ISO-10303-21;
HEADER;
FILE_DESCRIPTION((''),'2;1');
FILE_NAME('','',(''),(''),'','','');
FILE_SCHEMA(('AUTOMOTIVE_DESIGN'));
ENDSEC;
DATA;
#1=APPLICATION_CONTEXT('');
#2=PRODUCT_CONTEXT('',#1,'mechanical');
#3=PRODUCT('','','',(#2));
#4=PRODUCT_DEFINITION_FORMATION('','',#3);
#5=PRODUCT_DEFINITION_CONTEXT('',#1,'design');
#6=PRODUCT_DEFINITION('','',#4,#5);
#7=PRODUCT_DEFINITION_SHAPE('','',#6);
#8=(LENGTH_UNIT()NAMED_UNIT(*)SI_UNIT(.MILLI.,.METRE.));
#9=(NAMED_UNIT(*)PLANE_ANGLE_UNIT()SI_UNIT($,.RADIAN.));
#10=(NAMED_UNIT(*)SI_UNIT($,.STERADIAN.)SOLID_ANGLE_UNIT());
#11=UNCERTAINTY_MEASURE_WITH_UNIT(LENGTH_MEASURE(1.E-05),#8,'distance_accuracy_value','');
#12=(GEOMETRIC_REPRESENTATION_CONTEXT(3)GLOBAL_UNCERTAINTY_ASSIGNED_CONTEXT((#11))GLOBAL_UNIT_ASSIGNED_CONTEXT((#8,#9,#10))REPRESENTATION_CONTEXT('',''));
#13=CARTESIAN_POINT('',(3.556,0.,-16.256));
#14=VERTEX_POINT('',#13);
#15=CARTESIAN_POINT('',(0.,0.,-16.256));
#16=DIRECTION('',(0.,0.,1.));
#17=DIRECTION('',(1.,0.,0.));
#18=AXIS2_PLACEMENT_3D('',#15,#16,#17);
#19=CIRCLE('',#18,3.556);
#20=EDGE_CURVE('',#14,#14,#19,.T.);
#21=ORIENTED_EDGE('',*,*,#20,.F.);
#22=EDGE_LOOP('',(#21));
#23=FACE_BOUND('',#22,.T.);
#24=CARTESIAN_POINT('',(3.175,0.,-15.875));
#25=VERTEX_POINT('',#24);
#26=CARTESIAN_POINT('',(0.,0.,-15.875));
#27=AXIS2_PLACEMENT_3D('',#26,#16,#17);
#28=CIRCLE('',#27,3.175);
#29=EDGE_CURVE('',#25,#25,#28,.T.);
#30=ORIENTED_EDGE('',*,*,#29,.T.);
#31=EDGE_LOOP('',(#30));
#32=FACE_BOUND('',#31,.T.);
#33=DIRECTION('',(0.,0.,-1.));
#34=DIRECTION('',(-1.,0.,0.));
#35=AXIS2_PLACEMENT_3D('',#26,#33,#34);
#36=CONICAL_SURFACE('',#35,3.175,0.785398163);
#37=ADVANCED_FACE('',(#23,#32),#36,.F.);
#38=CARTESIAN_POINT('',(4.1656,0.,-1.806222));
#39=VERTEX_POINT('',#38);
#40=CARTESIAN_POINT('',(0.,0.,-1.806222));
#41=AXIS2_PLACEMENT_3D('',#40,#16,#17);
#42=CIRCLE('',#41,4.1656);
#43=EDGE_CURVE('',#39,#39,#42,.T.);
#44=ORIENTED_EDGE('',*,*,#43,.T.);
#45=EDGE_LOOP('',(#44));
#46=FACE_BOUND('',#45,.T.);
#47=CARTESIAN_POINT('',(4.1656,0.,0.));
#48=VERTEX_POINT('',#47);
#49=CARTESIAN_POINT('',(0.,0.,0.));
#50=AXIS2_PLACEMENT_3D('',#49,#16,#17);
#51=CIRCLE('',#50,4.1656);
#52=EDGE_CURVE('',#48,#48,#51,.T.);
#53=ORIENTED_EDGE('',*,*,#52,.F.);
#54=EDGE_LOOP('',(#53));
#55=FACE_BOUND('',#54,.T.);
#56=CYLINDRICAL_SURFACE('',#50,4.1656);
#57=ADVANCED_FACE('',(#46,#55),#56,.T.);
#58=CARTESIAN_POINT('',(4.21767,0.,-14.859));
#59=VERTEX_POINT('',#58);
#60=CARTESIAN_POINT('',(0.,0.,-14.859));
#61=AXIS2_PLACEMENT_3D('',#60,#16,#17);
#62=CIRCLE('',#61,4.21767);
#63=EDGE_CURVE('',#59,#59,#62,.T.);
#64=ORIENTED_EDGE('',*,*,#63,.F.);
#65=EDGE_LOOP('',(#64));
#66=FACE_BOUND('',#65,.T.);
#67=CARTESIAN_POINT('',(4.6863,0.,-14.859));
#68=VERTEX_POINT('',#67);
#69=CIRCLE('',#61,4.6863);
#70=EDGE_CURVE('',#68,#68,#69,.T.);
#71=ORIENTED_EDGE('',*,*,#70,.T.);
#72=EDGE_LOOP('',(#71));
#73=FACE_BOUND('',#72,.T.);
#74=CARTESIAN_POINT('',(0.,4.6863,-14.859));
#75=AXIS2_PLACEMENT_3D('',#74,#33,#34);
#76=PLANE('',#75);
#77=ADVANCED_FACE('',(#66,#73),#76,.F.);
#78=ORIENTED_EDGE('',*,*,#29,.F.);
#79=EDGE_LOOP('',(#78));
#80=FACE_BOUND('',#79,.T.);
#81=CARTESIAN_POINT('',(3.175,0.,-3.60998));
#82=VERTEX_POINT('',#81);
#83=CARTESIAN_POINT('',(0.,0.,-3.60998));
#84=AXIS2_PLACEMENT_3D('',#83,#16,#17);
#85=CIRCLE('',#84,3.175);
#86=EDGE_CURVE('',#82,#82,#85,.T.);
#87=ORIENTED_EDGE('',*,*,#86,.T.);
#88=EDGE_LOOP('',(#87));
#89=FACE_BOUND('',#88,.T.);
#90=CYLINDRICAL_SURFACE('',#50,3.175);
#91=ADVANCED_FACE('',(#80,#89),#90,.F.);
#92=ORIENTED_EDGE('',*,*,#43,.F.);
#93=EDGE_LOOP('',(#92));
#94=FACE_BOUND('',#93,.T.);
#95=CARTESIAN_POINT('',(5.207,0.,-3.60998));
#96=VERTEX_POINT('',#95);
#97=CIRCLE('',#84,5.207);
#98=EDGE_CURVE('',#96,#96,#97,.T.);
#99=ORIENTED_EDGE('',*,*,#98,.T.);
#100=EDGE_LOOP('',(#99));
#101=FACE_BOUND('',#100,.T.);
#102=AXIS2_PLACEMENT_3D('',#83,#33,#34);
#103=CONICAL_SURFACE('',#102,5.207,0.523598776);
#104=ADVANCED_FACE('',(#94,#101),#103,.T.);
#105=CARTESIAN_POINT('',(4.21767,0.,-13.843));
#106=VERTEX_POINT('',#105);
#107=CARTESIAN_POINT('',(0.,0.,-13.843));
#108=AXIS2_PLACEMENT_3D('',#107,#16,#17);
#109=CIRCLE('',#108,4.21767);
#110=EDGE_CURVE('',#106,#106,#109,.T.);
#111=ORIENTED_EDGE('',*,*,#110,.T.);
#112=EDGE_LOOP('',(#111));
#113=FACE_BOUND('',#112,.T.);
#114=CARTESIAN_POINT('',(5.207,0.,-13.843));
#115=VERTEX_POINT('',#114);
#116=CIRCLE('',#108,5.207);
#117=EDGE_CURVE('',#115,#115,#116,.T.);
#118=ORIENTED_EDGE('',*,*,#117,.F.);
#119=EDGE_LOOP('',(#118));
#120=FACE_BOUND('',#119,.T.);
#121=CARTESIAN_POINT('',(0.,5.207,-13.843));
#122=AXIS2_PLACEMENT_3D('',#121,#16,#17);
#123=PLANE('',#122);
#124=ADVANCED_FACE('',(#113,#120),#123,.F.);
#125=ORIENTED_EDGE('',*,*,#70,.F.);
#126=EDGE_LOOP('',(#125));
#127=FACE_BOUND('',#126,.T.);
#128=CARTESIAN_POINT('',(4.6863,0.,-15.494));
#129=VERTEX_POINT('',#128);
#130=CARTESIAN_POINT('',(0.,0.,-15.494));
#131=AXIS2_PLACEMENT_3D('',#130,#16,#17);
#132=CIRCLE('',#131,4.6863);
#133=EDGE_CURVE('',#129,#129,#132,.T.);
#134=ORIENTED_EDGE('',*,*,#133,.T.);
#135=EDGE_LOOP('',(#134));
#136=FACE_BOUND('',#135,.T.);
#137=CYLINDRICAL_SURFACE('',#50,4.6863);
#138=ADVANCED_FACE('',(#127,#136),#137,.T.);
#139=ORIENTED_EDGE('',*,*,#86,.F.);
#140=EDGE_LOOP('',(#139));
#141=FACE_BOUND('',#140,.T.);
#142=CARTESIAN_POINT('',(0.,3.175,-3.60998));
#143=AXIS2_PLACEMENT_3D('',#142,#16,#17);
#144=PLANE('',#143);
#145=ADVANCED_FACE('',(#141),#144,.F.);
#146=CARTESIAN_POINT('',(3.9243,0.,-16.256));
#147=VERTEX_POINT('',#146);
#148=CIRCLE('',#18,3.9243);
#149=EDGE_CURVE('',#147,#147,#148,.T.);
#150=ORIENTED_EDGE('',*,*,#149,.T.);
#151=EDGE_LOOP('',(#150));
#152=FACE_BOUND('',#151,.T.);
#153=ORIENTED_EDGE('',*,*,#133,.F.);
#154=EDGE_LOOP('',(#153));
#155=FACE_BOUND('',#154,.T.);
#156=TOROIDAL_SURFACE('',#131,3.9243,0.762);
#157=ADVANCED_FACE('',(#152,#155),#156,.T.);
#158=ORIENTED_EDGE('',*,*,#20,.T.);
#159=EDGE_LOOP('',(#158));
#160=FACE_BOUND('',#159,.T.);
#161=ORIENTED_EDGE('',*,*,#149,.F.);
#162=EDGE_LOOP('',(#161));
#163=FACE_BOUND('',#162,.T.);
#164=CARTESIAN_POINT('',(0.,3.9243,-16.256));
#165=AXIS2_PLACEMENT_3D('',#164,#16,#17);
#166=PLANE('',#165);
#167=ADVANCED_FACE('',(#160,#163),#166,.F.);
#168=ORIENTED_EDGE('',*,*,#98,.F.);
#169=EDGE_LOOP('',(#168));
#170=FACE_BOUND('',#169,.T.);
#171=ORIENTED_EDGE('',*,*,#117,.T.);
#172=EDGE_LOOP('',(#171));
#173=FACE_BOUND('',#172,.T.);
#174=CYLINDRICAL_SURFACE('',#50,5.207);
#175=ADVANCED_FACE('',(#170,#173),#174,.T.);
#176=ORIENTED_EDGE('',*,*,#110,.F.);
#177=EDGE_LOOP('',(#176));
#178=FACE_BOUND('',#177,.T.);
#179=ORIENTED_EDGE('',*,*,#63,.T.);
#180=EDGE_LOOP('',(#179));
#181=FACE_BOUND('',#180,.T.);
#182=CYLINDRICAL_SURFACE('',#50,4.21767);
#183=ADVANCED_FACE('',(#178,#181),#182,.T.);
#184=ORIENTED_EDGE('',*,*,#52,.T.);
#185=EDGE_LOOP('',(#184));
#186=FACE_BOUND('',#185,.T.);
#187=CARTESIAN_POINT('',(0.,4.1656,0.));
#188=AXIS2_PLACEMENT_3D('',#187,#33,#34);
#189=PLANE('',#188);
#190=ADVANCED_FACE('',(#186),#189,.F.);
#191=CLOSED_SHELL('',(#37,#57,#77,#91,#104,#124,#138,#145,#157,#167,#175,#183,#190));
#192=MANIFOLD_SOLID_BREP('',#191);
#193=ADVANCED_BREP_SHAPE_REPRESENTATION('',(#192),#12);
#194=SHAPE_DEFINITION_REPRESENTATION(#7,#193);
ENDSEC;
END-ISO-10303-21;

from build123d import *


with BuildPart() as part:
    # Sketch1 → Revolve1 (revolve)
    with BuildSketch(Plane(origin=(0, 0, 0), x_dir=(0, 0, -1), z_dir=(1, 0, 0))):
        with BuildLine():
            Line((14.859, 4.6863), (15.494, 4.6863))
            ThreePointArc((15.494, 4.6863), (16.032815367, 4.463115367), (16.256, 3.9243))
            Line((16.256, 3.9243), (16.256, 3.556))
            Line((16.256, 3.556), (15.875, 3.175))
            Line((15.875, 3.175), (3.609979933, 3.175))
            Line((3.609979933, 3.175), (3.609979933, 0))
            Line((3.609979933, 0), (0, 0))
            Line((0, 0), (0, 4.1656))
            Line((0, 4.1656), (1.806222222, 4.1656))
            Line((1.806222222, 4.1656), (3.609979933, 5.207))
            Line((3.609979933, 5.207), (13.843, 5.207))
            Line((13.843, 5.207), (13.843, 4.21767))
            Line((13.843, 4.21767), (14.859, 4.21767))
            Line((14.859, 4.21767), (14.859, 4.6863))
        make_face()
    revolve(axis=Axis((0, 0, 0), (0, 0, -1)))


solid = part.part
